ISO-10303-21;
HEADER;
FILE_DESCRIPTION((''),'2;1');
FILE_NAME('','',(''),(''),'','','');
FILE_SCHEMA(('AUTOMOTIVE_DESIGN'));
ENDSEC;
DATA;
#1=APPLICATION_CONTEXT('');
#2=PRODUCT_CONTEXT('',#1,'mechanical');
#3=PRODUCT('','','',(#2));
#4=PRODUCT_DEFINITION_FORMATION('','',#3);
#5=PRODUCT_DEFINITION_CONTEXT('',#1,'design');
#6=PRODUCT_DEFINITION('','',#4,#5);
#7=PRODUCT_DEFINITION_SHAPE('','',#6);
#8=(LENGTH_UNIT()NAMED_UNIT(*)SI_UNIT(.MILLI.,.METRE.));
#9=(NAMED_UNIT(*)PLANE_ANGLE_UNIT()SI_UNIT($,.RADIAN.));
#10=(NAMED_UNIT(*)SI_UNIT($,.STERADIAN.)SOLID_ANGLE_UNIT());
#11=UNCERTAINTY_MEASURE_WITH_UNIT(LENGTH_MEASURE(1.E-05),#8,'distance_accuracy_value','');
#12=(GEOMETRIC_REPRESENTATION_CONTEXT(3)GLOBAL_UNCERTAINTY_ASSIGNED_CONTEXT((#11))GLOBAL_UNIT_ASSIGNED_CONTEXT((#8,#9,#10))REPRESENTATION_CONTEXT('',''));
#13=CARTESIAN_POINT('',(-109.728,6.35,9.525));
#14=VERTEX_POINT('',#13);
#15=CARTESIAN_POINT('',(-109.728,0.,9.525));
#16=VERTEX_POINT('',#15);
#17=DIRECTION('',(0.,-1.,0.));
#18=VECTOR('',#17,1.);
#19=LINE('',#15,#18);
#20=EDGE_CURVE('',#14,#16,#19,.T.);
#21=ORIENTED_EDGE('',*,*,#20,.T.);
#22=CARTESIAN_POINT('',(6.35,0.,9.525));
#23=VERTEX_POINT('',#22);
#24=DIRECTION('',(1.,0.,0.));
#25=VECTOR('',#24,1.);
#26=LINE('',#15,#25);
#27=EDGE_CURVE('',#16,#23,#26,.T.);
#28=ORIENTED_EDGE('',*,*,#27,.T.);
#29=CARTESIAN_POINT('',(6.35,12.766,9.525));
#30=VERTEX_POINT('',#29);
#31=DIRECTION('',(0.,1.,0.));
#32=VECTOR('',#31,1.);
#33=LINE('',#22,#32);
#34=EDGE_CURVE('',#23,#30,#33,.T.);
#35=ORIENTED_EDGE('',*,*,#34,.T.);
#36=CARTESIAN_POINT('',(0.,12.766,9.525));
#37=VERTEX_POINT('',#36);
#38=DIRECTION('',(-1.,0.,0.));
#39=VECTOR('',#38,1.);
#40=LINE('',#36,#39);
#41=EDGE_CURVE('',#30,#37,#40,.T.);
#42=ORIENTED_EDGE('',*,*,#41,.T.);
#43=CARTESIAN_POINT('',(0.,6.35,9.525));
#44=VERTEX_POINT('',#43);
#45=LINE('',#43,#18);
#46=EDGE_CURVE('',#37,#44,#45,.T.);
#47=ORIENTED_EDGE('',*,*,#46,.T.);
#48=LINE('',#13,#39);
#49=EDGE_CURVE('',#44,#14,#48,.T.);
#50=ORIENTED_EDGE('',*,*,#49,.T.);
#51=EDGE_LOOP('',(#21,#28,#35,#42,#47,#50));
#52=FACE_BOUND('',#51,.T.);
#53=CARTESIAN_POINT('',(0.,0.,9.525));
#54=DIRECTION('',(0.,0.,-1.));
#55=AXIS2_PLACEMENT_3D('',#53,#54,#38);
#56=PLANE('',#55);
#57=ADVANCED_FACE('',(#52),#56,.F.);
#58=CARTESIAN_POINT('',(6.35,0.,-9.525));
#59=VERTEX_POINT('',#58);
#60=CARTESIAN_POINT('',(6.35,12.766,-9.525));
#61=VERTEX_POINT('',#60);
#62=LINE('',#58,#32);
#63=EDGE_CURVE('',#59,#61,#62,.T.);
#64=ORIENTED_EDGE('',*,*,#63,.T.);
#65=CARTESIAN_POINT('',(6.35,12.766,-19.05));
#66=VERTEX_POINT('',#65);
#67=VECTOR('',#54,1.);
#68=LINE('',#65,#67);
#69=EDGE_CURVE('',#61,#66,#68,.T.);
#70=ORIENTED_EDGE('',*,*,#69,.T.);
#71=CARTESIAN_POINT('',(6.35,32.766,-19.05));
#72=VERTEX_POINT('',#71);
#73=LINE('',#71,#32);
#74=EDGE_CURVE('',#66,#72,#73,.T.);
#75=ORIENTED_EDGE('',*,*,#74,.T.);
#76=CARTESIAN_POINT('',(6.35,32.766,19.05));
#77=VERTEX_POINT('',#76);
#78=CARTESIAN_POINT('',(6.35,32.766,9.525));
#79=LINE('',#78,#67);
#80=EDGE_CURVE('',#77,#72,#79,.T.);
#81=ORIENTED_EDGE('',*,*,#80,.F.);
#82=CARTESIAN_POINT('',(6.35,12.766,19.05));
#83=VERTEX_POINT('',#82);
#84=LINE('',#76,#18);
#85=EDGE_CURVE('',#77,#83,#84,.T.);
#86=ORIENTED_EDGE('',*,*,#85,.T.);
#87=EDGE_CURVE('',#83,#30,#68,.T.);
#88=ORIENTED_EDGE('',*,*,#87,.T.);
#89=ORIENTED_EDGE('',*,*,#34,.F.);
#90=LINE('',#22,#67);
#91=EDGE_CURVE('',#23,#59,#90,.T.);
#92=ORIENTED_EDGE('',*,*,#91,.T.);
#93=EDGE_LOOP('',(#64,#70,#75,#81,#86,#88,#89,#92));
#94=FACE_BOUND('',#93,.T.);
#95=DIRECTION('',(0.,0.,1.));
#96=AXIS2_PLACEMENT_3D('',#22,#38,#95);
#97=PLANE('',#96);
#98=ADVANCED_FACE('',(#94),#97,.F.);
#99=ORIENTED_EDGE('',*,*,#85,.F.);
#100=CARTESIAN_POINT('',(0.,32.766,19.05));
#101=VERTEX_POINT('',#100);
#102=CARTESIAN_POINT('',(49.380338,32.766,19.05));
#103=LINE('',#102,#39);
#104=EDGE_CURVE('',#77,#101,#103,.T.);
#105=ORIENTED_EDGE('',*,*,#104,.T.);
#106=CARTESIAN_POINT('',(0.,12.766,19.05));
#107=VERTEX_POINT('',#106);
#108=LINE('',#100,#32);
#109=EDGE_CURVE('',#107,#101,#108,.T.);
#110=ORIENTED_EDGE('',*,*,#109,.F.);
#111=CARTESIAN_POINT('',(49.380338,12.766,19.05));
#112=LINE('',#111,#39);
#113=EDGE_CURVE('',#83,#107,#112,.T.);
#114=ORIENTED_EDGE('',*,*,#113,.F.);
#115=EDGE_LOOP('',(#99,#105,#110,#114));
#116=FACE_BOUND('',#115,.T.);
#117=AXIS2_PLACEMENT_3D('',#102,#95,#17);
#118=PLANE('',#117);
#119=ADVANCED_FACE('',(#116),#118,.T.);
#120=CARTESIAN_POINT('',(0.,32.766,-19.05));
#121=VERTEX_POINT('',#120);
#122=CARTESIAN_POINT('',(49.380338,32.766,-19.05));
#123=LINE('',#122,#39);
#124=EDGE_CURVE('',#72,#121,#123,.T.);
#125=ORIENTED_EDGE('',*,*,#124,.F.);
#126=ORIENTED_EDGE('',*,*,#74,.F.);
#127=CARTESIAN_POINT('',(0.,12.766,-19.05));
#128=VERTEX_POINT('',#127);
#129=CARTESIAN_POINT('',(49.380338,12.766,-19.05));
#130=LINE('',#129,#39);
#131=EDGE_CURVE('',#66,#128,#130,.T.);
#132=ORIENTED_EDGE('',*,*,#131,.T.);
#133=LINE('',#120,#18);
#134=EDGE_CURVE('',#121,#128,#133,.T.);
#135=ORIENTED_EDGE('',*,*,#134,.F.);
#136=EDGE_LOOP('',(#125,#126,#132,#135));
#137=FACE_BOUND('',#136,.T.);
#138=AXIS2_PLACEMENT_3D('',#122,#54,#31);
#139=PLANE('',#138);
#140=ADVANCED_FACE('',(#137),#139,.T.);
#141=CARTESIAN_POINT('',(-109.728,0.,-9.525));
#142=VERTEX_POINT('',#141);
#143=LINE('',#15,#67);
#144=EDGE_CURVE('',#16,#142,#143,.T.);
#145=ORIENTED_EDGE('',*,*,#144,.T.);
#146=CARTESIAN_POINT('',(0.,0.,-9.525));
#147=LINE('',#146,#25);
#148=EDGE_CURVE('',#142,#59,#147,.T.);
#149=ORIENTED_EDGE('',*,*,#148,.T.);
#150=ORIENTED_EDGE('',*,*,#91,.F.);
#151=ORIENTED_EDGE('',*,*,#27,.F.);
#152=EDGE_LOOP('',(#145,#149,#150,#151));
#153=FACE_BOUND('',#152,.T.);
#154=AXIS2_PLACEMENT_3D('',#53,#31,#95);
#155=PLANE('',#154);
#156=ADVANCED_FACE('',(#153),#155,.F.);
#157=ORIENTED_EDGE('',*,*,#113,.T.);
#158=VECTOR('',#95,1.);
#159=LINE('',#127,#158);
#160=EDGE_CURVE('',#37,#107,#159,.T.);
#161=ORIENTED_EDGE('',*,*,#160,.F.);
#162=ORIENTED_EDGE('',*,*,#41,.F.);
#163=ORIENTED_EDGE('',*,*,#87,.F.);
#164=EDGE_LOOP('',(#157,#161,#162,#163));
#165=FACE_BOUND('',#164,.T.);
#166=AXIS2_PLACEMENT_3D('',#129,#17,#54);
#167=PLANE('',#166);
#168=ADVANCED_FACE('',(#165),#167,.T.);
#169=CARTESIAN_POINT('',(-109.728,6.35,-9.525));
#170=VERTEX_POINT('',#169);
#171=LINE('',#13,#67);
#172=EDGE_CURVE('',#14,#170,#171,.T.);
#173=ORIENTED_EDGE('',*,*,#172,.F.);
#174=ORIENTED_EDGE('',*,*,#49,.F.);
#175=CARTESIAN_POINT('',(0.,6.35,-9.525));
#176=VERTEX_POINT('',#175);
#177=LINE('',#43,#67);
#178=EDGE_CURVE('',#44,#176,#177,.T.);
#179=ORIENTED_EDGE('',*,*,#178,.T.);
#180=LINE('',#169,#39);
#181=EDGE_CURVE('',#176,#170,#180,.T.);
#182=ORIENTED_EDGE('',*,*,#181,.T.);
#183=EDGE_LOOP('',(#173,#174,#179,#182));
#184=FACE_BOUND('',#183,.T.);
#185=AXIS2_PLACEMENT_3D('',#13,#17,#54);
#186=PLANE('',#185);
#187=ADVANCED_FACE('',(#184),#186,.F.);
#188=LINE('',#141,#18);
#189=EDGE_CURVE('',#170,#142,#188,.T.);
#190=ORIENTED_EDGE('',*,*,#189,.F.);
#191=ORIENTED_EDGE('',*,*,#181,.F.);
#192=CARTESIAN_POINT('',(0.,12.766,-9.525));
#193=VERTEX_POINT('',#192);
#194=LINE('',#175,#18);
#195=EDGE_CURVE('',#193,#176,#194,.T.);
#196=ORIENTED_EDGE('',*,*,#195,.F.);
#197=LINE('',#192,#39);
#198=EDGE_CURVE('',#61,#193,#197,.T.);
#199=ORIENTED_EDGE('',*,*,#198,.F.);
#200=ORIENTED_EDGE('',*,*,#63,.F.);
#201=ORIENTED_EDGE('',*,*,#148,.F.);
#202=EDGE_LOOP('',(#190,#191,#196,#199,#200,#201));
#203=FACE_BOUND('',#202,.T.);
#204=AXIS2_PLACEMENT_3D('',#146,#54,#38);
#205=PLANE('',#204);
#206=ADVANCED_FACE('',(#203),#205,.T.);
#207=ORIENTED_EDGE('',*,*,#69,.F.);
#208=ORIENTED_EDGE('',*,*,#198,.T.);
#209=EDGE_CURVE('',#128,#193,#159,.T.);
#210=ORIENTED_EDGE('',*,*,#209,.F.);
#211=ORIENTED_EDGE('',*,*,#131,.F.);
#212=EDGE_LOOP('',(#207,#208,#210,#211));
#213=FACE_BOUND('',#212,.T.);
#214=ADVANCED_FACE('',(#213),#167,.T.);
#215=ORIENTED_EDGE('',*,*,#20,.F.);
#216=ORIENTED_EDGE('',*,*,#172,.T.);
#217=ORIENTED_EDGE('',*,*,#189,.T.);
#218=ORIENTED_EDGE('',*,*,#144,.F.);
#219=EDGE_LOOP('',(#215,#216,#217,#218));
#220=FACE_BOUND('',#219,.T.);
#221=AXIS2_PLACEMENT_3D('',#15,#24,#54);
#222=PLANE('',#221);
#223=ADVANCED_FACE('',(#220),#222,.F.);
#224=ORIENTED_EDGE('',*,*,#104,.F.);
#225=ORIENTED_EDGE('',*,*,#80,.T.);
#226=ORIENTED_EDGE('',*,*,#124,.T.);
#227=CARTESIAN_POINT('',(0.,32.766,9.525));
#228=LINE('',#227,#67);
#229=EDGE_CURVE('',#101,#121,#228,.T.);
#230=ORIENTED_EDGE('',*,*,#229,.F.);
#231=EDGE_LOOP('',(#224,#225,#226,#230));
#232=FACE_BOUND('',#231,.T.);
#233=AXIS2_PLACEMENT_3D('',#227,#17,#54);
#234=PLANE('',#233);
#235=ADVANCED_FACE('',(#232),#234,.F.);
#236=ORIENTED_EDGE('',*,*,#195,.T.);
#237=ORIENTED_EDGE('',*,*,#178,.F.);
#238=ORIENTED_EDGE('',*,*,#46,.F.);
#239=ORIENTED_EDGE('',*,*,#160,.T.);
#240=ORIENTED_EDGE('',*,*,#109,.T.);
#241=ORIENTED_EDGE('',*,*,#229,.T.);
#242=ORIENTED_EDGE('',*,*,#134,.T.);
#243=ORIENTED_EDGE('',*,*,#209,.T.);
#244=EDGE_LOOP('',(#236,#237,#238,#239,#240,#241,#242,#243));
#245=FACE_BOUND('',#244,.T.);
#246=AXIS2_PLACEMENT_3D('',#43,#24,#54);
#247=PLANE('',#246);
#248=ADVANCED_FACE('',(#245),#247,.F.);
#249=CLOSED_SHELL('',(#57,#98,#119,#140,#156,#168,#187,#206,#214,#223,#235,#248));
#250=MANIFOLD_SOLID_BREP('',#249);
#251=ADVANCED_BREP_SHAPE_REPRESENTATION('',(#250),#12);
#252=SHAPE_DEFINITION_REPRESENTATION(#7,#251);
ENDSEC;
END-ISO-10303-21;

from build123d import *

# Parameters (mm, degrees)
BOSS_EXTRUDE1_DEPTH = 9.525
SKETCH3_W           = 38.1
SKETCH3_H           = 20
BOSS_EXTRUDE2_DEPTH = 6.35


with BuildPart() as part:
    # Sketch2 → Boss-Extrude1 (new body, symmetric)
    with BuildSketch(Plane.XY):
        Polygon((-109.728, 0), (0, 0), (6.35, 0), (6.35, 32.766), (0, 32.766), (0, 6.35), (-109.728, 6.35), align=None)
    extrude(amount=BOSS_EXTRUDE1_DEPTH, both=True)

    # Sketch3 → Boss-Extrude2 (add)
    with BuildSketch(Plane.ZY):
        with Locations((0, 22.766)):
            Rectangle(SKETCH3_W, SKETCH3_H)
    extrude(amount=-BOSS_EXTRUDE2_DEPTH)


solid = part.part
